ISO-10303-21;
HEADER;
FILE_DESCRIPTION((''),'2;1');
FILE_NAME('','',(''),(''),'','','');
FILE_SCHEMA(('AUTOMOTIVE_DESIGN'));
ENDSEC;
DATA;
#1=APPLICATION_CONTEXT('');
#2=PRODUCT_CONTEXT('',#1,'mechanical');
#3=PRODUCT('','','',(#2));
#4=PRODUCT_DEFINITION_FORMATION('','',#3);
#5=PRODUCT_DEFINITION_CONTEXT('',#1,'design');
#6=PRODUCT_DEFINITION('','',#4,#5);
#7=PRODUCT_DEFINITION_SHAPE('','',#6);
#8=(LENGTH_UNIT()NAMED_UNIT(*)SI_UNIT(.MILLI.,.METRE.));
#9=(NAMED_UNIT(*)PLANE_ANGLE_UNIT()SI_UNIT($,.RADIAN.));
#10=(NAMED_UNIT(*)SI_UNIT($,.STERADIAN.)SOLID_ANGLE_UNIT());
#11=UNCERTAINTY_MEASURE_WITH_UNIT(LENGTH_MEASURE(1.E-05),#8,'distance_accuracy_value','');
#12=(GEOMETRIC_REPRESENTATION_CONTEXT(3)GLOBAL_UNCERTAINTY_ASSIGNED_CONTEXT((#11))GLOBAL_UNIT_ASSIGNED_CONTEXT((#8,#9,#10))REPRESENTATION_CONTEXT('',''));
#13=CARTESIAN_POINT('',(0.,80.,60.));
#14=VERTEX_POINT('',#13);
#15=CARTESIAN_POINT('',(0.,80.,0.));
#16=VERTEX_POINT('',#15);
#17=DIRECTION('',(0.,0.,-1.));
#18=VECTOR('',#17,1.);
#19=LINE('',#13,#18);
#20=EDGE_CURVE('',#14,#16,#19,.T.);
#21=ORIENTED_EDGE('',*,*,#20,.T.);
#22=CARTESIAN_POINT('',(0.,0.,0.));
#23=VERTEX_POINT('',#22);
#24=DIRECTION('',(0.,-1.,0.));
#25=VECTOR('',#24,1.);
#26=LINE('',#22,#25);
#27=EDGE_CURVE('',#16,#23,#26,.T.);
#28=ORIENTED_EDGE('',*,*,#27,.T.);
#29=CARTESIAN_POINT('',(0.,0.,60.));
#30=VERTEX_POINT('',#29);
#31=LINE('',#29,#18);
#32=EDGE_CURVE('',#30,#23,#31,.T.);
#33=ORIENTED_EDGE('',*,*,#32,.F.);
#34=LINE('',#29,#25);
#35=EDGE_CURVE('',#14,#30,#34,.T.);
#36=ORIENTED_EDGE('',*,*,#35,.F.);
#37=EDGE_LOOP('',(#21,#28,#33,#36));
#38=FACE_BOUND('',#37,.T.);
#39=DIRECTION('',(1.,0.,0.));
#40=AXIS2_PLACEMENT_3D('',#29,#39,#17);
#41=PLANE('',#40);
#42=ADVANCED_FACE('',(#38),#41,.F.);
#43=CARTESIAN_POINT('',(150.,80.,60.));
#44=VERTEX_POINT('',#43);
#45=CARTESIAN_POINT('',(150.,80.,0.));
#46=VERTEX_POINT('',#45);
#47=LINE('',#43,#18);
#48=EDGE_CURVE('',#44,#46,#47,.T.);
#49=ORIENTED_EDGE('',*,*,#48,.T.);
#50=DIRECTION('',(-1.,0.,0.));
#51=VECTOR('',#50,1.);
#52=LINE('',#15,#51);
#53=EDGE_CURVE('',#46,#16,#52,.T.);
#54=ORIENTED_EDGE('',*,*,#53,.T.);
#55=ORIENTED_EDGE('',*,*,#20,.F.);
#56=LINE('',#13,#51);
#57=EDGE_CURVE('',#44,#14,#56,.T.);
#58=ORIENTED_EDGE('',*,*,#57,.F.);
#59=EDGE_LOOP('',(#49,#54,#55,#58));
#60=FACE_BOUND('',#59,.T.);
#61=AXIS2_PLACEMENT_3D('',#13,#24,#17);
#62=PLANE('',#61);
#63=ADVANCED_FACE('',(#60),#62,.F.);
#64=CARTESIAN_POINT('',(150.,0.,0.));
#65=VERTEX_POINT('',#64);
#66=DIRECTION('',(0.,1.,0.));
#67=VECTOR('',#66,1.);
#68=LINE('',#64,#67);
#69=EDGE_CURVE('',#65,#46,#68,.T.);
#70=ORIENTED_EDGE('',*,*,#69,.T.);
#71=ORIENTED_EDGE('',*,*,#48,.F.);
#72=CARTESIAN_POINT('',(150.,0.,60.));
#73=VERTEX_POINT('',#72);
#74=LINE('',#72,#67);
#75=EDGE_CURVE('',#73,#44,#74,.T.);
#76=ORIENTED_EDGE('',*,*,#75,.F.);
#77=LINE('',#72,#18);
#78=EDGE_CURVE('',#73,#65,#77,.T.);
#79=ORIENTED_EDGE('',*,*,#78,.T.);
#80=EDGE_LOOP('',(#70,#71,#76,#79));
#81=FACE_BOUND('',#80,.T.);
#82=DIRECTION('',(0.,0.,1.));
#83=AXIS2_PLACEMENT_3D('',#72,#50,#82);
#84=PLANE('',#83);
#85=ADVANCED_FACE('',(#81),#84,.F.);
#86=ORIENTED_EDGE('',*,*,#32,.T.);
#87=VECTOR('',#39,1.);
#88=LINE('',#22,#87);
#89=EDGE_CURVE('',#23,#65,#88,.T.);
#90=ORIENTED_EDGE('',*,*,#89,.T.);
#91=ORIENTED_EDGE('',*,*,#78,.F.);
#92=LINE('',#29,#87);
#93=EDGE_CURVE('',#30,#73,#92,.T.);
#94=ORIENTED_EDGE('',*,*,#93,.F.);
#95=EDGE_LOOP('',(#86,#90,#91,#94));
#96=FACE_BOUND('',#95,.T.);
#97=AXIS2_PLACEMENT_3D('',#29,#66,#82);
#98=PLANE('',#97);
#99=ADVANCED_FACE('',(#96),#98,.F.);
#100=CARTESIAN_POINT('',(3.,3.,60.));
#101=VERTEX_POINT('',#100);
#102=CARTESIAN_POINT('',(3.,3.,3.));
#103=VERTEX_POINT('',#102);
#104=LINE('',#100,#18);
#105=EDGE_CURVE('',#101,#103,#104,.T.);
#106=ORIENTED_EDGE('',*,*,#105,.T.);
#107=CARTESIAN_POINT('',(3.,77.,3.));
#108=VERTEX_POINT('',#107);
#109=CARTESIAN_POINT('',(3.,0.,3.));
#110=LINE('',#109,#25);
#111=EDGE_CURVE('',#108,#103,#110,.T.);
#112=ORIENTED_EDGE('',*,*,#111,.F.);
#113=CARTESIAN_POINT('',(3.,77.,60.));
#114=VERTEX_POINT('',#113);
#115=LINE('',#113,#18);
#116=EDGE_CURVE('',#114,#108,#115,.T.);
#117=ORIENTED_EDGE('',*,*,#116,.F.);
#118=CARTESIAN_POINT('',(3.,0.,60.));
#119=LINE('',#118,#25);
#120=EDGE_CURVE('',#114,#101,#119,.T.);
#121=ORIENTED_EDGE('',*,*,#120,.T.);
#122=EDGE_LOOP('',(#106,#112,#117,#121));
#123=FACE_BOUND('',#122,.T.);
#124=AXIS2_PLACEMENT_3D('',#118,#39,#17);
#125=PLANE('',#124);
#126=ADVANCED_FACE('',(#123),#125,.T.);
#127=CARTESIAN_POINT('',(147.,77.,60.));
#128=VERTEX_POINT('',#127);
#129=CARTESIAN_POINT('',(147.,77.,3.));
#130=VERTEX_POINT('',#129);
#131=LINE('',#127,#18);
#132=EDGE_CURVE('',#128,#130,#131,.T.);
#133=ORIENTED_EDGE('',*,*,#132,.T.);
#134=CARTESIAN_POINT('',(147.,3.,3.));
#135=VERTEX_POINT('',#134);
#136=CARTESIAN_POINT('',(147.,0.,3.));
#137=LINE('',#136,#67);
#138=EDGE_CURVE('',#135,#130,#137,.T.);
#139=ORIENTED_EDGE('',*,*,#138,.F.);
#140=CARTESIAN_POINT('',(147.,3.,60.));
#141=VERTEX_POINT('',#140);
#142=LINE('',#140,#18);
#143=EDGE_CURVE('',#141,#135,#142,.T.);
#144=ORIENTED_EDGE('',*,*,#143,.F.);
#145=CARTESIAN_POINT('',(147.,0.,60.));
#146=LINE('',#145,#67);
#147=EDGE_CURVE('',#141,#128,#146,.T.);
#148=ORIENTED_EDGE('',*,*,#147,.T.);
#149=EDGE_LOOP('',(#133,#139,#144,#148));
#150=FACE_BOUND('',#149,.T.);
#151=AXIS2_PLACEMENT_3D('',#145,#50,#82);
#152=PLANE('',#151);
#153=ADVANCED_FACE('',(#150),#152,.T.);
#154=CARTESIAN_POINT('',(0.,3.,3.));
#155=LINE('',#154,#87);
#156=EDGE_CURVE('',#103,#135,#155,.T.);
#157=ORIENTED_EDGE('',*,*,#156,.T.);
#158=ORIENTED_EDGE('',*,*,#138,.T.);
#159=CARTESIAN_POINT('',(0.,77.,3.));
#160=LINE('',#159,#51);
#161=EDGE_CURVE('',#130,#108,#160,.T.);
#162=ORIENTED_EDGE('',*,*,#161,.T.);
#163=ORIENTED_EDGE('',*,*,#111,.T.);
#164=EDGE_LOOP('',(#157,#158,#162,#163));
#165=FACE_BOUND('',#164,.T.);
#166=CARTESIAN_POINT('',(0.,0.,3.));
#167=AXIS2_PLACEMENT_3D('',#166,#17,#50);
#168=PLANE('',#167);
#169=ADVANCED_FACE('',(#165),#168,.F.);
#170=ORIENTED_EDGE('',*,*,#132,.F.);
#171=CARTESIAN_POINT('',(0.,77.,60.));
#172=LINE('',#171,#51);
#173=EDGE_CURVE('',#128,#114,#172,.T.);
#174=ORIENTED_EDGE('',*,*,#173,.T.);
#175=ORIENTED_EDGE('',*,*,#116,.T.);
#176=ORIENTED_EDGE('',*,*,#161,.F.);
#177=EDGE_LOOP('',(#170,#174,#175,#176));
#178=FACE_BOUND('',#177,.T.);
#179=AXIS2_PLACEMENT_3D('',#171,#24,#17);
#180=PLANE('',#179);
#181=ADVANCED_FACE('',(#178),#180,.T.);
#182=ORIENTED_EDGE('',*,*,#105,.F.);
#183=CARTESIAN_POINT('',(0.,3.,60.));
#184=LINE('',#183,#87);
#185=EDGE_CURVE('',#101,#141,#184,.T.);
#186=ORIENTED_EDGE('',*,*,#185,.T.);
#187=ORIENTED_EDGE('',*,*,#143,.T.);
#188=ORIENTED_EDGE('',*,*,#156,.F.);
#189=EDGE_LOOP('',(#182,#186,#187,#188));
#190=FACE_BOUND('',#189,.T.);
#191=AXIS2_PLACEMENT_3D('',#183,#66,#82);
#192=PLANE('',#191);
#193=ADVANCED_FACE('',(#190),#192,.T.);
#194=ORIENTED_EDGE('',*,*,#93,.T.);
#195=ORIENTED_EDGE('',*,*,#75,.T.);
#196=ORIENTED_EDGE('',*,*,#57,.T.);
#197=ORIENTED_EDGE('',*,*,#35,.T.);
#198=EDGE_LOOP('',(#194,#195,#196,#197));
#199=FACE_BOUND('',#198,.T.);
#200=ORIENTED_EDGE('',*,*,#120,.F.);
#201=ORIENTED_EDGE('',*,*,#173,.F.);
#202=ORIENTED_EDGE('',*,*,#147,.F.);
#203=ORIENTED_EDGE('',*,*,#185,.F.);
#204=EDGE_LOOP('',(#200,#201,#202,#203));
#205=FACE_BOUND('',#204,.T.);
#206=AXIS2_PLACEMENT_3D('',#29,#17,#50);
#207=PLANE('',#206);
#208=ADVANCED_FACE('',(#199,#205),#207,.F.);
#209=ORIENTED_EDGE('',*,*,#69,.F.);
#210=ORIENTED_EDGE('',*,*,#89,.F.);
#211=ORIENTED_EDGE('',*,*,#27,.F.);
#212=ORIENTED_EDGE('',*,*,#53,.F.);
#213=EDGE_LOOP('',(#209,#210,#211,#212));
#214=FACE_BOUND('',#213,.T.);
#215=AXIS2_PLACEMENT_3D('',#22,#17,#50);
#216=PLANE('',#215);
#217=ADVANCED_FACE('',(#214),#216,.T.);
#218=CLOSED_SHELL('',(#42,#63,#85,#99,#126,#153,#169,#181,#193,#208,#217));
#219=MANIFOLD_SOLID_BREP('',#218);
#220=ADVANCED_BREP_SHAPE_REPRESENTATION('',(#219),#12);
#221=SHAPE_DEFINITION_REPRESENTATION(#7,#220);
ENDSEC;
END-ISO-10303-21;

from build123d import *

# Parameters (mm, degrees)
SKETCH_1_W      = 150
SKETCH_1_H      = 80
EXTRUDE_1_DEPTH = 60
SHELL_1_T       = -3


with BuildPart() as part:
    # 草圖1 → 填料-伸長1 (new body)
    with BuildSketch(Plane.XY):
        with Locations((75, 40)):
            Rectangle(SKETCH_1_W, SKETCH_1_H)
    extrude(amount=EXTRUDE_1_DEPTH)

    # 薄殼1
    shell_1_openings = [part.faces().sort_by_distance(p)[0] for p in [
        (75, 40, 60),
    ]]
    offset(amount=SHELL_1_T, openings=shell_1_openings, kind=Kind.INTERSECTION)


solid = part.part
